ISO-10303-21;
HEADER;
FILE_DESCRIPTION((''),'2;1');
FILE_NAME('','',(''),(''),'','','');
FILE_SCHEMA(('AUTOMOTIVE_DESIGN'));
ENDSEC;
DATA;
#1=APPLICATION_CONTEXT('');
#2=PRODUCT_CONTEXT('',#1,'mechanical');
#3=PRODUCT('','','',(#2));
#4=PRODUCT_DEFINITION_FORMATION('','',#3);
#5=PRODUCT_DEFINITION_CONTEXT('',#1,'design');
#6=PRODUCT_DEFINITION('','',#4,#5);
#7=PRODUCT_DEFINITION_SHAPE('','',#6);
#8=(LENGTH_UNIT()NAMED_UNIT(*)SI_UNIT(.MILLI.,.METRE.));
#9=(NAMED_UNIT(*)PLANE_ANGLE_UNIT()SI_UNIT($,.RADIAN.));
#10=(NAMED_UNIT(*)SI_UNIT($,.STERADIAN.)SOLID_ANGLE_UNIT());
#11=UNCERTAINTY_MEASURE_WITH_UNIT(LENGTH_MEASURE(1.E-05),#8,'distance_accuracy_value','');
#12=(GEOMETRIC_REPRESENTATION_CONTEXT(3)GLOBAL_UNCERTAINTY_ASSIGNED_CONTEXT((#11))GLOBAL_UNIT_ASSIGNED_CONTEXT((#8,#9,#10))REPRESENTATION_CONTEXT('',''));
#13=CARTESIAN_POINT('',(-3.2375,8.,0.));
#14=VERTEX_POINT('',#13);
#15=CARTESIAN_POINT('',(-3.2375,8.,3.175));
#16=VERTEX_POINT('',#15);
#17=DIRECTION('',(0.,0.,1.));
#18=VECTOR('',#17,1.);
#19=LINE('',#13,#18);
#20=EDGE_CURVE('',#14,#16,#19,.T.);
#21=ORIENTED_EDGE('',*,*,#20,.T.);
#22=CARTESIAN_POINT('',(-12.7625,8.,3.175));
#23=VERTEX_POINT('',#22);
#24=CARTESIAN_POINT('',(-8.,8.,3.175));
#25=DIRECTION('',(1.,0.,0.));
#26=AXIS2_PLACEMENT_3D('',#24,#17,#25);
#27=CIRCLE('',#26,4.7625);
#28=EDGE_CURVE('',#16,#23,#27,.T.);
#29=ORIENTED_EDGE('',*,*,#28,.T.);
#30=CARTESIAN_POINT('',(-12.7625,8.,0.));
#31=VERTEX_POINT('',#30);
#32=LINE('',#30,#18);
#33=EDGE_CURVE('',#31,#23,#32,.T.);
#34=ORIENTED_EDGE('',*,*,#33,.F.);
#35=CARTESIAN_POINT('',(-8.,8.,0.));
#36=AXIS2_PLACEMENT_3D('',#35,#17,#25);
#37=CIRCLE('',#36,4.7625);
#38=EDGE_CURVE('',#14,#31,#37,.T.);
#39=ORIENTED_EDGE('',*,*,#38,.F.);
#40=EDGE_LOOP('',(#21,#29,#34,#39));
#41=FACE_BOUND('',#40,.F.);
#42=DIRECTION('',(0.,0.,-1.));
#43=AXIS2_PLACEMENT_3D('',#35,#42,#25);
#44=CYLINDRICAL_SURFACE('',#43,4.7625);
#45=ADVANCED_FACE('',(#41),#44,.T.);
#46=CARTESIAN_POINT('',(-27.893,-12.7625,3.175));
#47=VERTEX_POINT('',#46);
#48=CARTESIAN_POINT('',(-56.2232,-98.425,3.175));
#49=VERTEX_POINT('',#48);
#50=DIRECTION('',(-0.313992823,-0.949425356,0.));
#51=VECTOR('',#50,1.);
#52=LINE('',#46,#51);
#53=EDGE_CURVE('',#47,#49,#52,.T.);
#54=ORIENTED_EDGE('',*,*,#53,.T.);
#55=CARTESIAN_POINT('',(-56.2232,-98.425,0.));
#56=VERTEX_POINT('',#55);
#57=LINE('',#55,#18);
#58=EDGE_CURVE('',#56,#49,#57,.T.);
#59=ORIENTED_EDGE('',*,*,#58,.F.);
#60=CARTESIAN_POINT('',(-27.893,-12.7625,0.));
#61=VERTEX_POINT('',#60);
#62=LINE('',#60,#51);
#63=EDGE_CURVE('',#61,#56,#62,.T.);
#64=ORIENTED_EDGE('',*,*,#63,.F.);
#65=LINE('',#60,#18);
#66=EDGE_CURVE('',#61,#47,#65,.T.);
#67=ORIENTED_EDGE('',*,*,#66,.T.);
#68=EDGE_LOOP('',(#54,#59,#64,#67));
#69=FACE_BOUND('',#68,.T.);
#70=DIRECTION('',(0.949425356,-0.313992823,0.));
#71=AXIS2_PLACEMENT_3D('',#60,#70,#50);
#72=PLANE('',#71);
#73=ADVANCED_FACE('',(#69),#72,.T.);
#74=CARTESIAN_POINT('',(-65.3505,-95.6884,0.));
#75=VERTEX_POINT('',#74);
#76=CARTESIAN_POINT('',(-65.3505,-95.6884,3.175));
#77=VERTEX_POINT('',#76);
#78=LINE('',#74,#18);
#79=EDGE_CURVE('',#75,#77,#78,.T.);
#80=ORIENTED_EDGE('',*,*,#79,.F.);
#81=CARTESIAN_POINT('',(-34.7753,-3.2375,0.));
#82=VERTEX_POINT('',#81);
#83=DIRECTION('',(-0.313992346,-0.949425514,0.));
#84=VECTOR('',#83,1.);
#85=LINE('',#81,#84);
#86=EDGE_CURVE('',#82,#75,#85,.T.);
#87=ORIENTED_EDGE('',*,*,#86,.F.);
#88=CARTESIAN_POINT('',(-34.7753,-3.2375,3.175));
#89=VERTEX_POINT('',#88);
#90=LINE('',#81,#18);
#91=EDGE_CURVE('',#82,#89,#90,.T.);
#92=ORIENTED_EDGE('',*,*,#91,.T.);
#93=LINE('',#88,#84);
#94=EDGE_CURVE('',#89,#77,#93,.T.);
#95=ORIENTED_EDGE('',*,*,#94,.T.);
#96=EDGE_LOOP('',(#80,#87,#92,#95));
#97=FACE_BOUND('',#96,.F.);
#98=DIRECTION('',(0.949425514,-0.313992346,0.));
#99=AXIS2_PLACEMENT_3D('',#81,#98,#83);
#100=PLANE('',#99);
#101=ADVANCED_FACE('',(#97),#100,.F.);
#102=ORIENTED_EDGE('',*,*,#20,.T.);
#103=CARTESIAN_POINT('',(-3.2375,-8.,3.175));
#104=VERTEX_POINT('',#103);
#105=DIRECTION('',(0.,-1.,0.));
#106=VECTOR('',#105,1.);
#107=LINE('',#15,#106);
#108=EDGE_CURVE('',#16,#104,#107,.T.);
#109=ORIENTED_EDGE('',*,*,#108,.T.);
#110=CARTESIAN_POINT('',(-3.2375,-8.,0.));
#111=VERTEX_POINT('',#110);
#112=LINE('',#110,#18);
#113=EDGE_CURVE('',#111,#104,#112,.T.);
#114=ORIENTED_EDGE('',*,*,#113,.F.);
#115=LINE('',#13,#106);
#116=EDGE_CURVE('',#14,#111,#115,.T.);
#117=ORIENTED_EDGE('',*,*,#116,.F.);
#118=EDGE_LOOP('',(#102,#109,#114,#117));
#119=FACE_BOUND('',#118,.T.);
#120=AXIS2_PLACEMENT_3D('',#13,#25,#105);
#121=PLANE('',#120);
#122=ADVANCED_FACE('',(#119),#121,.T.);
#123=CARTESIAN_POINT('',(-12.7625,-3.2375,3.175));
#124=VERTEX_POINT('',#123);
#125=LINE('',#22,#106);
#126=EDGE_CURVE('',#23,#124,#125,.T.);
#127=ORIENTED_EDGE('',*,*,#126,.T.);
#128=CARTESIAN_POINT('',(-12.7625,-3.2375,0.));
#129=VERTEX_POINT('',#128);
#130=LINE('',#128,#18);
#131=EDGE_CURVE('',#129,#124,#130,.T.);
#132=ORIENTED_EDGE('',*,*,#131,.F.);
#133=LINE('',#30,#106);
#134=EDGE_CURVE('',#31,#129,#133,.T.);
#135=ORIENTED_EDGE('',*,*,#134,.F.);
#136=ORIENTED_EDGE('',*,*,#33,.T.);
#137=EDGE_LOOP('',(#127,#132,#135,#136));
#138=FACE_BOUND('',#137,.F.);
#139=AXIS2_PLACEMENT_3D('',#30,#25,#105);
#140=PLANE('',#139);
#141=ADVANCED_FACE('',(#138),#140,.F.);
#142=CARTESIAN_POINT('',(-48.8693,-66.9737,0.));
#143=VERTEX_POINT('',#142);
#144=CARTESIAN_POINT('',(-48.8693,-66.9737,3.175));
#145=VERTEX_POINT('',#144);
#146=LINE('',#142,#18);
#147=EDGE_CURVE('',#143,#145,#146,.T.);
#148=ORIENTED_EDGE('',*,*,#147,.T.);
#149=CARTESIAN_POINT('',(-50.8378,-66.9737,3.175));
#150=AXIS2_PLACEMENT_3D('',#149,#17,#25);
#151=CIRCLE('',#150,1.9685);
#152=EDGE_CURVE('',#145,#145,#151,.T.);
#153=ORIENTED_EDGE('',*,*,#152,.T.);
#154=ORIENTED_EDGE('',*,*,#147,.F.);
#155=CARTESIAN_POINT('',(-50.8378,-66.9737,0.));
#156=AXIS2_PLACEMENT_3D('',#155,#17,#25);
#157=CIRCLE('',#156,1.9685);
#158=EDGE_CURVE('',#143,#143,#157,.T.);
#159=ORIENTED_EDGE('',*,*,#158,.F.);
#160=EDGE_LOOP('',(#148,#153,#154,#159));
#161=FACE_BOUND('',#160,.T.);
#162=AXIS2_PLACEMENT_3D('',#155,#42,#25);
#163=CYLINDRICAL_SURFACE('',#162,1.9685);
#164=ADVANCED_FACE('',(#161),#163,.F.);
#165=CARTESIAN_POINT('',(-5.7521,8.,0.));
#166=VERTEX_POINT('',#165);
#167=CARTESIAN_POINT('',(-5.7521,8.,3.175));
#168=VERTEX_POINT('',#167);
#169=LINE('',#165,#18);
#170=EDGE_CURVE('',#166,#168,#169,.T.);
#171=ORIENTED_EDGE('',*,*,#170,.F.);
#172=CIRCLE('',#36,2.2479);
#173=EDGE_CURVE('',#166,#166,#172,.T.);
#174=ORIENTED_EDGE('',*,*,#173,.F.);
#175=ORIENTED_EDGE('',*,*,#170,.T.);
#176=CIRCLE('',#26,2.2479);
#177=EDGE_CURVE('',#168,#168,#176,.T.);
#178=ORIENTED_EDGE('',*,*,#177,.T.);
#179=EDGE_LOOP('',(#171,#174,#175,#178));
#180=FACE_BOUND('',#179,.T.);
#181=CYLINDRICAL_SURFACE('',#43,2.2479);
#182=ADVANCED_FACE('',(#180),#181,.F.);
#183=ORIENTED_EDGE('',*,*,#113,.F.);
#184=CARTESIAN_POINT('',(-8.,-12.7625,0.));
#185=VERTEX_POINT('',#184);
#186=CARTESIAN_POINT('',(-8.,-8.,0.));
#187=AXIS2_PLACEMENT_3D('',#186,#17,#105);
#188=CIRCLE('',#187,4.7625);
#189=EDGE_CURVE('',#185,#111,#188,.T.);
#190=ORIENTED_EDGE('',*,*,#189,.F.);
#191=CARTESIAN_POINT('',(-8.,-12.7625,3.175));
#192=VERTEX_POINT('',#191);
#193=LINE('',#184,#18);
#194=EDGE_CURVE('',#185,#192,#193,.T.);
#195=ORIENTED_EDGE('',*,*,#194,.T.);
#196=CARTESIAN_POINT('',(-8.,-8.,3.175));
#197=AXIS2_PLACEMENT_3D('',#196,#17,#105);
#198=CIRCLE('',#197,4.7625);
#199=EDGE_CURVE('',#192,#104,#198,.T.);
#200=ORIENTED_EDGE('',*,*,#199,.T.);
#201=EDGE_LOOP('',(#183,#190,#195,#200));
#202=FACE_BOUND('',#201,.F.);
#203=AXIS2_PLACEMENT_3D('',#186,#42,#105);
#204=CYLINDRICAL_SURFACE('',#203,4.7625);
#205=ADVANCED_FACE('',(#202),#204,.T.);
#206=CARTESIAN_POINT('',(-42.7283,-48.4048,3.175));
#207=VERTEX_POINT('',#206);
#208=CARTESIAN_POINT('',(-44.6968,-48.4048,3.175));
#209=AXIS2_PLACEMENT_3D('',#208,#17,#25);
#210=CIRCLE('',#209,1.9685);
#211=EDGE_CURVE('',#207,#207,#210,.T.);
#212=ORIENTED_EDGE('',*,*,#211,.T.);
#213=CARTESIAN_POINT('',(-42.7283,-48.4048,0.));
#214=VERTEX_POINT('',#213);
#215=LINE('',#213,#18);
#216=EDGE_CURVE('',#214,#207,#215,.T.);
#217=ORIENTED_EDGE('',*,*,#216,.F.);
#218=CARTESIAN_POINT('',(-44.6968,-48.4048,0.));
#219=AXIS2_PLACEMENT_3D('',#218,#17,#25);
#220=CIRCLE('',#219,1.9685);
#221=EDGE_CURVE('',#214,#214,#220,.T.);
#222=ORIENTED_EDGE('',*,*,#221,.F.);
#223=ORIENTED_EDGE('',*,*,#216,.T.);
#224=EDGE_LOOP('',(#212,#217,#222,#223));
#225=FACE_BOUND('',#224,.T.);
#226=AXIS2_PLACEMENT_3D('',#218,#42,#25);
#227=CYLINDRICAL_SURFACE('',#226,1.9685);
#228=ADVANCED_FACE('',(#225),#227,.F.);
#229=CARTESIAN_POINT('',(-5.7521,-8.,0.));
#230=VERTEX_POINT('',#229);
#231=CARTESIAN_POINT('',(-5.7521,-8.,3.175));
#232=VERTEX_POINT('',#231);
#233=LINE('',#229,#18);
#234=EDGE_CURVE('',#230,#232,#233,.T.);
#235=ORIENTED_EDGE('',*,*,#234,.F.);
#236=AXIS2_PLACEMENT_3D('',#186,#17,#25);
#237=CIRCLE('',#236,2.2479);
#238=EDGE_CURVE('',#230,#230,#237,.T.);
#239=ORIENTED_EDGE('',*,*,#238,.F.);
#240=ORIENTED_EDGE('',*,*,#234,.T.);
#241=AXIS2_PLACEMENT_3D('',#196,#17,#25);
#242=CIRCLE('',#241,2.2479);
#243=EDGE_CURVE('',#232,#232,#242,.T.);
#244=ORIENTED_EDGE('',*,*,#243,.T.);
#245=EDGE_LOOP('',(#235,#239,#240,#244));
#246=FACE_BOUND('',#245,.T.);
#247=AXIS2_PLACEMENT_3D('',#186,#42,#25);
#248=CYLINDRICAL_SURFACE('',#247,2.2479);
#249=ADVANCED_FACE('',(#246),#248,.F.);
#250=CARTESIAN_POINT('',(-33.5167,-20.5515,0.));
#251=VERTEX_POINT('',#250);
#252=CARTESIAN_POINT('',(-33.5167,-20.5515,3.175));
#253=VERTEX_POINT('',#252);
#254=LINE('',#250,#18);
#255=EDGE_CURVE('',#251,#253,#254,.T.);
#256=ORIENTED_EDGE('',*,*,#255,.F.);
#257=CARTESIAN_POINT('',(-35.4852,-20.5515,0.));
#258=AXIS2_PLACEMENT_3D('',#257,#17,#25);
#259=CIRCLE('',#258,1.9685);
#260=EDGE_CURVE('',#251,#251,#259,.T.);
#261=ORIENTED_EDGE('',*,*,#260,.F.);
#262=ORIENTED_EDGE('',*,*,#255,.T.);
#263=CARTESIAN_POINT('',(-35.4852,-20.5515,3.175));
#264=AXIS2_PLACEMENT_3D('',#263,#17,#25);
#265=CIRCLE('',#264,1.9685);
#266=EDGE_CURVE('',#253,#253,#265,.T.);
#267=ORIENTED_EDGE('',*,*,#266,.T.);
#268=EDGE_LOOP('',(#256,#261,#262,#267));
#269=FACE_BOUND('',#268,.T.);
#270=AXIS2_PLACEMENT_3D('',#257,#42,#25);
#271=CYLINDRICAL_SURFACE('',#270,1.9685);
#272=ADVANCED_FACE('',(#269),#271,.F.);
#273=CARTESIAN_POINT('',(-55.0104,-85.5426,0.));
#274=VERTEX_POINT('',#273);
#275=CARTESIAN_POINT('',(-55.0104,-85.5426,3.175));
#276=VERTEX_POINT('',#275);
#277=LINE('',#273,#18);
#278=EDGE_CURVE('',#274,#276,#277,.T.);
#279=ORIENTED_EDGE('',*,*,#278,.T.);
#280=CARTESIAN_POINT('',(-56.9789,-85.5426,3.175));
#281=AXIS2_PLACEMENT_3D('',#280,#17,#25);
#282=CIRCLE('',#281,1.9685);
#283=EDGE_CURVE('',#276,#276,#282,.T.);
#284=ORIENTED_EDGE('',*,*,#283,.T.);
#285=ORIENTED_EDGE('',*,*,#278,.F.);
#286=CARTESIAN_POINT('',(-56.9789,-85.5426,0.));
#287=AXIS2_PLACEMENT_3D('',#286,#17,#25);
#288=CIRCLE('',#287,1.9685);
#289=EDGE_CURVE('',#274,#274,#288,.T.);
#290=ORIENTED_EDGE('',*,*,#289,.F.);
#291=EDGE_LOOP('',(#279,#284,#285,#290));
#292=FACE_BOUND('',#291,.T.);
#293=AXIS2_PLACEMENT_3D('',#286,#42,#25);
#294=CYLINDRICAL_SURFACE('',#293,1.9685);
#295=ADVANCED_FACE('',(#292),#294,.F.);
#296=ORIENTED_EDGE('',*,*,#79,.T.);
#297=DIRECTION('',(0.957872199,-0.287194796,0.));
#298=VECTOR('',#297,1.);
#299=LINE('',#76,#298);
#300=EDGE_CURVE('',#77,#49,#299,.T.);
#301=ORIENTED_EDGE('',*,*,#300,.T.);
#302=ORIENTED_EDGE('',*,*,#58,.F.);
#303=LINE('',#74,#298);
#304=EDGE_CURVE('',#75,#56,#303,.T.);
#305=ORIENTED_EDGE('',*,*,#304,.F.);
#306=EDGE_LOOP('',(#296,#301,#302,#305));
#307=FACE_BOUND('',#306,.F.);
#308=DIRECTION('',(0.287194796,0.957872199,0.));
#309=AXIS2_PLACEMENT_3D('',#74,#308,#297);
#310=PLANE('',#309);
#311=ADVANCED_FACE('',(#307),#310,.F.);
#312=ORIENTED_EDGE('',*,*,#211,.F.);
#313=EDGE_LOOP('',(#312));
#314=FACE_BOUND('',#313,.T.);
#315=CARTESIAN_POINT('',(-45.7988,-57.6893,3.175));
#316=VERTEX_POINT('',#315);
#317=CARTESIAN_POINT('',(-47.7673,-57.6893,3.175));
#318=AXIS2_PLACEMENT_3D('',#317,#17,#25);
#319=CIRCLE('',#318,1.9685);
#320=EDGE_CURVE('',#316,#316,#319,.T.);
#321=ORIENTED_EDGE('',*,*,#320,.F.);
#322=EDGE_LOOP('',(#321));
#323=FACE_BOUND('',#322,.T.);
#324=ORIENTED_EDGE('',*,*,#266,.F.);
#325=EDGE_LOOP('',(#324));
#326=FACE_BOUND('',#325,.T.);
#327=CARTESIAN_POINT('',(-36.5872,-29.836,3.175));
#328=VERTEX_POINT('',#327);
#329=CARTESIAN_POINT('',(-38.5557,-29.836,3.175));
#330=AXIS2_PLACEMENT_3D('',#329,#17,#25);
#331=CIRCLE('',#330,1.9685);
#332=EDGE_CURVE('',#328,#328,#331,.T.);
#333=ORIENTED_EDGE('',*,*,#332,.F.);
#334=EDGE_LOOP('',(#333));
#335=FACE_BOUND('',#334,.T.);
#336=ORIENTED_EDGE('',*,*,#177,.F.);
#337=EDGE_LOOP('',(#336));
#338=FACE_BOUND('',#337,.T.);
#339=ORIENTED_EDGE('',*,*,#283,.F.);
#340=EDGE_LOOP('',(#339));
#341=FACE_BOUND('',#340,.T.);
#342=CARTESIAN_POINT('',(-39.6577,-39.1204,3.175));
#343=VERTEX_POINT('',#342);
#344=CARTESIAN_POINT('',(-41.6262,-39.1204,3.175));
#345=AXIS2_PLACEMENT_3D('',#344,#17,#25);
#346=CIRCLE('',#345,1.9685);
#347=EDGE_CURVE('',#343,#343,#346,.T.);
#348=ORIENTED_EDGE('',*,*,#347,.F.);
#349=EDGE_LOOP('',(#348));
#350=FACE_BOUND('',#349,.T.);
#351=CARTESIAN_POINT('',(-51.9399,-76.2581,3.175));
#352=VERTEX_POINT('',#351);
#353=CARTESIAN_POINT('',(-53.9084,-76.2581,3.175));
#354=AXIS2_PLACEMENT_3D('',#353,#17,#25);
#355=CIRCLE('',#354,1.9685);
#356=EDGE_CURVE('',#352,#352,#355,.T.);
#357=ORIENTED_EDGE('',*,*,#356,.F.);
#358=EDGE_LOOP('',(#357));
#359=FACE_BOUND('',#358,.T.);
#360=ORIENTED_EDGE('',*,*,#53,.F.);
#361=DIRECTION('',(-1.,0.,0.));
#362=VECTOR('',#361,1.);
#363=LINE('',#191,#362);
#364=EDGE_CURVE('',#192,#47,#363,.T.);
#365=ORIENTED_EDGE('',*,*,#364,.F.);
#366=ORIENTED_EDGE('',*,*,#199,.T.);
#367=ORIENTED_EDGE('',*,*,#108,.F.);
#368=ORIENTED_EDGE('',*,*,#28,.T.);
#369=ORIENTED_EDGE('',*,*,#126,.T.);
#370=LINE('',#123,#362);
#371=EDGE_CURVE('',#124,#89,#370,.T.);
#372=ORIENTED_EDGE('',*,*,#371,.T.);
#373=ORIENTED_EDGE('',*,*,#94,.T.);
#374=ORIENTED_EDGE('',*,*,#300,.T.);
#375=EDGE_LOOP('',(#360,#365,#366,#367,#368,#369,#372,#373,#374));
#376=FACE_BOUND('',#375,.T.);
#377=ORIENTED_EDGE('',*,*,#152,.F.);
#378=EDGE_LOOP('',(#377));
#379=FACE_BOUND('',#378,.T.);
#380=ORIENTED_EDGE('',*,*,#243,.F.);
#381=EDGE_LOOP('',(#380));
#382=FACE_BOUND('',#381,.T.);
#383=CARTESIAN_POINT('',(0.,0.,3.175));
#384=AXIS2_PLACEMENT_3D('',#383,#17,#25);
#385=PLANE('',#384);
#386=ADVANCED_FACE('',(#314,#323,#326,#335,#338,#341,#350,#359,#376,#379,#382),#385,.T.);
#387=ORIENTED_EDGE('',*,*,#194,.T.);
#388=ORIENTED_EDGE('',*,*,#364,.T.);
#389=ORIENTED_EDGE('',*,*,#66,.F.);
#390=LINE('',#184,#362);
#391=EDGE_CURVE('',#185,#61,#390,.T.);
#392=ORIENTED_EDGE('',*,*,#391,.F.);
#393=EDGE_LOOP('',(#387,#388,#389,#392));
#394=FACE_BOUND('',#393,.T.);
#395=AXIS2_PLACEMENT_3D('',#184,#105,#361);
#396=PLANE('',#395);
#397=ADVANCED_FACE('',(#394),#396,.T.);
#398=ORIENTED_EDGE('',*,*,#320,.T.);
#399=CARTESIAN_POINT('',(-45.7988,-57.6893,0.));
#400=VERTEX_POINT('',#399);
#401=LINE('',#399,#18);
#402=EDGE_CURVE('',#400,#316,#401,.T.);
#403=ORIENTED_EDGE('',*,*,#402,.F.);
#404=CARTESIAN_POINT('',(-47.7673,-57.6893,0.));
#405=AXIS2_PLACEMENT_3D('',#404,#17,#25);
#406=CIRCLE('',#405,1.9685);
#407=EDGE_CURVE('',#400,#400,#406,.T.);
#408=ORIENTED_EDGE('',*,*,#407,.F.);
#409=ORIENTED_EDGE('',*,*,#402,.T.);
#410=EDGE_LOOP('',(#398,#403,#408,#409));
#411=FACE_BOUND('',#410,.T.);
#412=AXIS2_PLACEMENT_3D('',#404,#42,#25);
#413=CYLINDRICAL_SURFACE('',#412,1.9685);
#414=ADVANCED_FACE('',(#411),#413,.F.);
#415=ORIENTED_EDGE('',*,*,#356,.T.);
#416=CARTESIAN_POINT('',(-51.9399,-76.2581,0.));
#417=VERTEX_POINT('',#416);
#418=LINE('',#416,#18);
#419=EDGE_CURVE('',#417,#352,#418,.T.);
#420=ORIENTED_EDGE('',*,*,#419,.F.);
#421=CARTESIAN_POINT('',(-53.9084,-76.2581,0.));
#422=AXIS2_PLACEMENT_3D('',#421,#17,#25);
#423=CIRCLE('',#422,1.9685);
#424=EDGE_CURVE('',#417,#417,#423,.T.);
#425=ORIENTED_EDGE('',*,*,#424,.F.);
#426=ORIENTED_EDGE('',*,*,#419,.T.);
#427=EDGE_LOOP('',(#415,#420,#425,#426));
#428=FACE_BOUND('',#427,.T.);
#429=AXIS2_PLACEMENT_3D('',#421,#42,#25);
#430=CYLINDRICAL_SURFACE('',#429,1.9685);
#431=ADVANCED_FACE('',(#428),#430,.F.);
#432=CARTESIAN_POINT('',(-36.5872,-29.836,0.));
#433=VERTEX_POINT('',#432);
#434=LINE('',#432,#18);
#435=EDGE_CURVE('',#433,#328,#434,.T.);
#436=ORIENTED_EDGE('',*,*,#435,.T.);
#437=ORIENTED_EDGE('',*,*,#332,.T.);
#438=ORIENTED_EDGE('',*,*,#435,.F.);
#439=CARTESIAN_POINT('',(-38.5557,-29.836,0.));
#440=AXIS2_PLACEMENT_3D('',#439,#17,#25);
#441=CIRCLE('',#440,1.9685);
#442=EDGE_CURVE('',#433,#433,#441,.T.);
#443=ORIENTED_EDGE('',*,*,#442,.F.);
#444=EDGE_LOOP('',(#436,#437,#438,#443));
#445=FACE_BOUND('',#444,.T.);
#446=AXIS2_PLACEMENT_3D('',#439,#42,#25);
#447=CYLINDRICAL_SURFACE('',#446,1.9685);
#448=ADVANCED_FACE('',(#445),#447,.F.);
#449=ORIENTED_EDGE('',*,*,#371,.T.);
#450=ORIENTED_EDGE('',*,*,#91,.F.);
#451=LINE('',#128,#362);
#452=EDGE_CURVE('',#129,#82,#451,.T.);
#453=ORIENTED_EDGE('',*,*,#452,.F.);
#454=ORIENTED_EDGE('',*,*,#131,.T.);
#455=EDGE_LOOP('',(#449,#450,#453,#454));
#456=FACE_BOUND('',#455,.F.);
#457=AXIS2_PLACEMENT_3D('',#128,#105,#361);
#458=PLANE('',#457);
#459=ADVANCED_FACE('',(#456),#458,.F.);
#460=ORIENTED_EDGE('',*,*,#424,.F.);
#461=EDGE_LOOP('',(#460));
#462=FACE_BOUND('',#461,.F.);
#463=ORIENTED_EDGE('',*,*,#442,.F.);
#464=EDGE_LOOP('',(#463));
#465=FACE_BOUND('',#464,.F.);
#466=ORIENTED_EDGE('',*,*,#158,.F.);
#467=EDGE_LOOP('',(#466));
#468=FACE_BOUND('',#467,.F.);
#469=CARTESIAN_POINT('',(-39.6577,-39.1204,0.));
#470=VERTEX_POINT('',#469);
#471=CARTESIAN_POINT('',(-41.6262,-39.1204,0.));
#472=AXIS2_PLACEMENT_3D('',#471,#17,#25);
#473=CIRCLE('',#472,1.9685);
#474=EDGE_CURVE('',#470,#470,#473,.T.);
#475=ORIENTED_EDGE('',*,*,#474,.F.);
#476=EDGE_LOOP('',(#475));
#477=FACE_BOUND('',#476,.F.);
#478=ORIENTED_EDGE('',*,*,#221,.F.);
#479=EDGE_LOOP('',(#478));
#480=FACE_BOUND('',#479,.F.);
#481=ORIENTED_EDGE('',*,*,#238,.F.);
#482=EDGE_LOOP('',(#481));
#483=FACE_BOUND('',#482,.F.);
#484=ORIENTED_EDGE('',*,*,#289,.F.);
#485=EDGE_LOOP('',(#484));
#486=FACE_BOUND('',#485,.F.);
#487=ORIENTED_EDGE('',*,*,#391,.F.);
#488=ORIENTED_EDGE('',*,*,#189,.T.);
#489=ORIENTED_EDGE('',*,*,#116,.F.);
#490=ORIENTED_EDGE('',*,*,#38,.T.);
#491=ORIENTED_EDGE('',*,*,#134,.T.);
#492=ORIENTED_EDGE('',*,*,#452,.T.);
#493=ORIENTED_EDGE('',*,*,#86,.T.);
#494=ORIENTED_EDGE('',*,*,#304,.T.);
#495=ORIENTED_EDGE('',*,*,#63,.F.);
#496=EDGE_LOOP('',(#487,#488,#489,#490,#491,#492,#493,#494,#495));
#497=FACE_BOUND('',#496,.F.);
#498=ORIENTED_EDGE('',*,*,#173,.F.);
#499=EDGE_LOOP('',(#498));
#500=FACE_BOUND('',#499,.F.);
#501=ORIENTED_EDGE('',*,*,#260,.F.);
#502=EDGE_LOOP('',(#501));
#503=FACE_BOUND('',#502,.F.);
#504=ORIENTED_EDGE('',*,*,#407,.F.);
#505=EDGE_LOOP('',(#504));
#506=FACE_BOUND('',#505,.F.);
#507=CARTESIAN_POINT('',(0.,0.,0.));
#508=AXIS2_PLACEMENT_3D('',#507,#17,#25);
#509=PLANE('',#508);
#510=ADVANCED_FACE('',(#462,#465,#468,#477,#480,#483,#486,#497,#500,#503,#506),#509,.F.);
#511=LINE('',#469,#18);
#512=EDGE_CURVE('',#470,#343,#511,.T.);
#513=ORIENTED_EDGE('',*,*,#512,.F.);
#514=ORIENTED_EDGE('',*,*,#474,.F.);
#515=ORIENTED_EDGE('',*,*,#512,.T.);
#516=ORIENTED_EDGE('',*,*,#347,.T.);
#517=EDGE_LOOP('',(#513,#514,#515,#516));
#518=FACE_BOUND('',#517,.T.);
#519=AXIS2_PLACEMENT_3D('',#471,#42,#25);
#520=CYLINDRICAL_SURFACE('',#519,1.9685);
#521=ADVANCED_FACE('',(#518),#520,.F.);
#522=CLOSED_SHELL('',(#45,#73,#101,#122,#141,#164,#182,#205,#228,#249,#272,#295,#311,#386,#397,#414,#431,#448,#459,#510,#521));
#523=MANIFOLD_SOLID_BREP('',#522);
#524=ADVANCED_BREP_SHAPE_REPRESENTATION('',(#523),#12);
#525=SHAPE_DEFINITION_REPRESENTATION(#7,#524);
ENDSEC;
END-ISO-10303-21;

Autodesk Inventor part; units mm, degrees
ref_plane "YZ Plane" through (0, 0, 0) normal (1, 0, 0) x (0, 1, 0)
ref_plane "XZ Plane" through (0, 0, 0) normal (0, 1, 0) x (-1, 0, 0)
ref_plane "XY Plane" through (0, 0, 0) normal (0, 0, 1) x (1, 0, 0)
ref_plane "Work Plane3" through (0, 0, 0) normal (0, 0, 1) x (1, 0, 0)
sketch "Sketch2" plane through (0, 0, 0) normal (0, 0, 1) x (1, 0, 0)
  arc A0 (-7.5753, -9.9544) -> (-9.0817, -9.6822) centre (-8, -8) ccw construction
  arc A1 (-9.9544, 7.5753) -> (-9.6822, 9.0817) centre (-8, 8) ccw construction
  line L0 (-8, 8) -> (-8, -8) construction
  line L1 (-3.2375, 8) -> (-3.2375, -8)
  line L2 (-12.7625, 8) -> (-12.7625, -3.2375)
  arc A2 (-3.2375, 8) -> (-12.7625, 8) centre (-8, 8) ccw
  arc A3 (-3.2375, 8) -> (-12.7625, 8) centre (-8, 8) ccw construction
  arc A4 (-8, -12.7625) -> (-3.2375, -8) centre (-8, -8) ccw
  line L3 (-76.8525, -130.4672) -> (11.0654, 135.3719) construction
  line L4 (-12.7625, -3.2375) -> (-34.7753, -3.2375)
  line L5 (-67.8092, -133.458) -> (20.1087, 132.3811) construction
  line L6 (-8, -12.7625) -> (-27.893, -12.7625)
  arc A5 (1.9836, 0.2558) -> (1.5702, -1.2387) centre (0, 0) ccw construction
  circle A6 centre (0, 0) radius 115.8748 construction
  line L7 (-34.7753, -3.2375) -> (-65.3505, -95.6884)
  line L8 (-65.3505, -95.6884) -> (-56.2232, -98.425)
  line L9 (-27.893, -12.7625) -> (-56.2232, -98.425)
  line L10 (-27.893, -12.7625) -> (-36.9363, -9.7717) construction
  line L11 (-60.7868, -97.0567) -> (-32.4146, -11.2671) construction
  circle A7 centre (-35.4852, -20.5515) radius 1.9685
  circle A8 centre (-38.5557, -29.836) radius 1.9685
  circle A9 centre (-41.6262, -39.1204) radius 1.9685
  circle A10 centre (-44.6968, -48.4048) radius 1.9685
  circle A11 centre (-47.7673, -57.6893) radius 1.9685
  circle A12 centre (-50.8378, -66.9737) radius 1.9685
  circle A13 centre (-53.9084, -76.2581) radius 1.9685
  circle A14 centre (-56.9789, -85.5426) radius 1.9685
  circle A15 centre (-8, -8) radius 2.2479
  circle A16 centre (-8, 8) radius 2.2479
  point P0 (0, 0)
  dimension "d6" = 231.7496
  dimension "d0" = 4.7625
  dimension "d1" = 4.7625
  dimension "d2" = 4.7625
  dimension "d3" = 4.7625
  dimension "d4" = 9.525
  dimension "d5" = 9.525
  dimension "d7" = 3.937
  dimension "d8" = 9.779
  dimension "d11" = 9.779
  dimension "d16" = 4.4958
  dimension "d17" = 4.4958
extrude "Extrusion1" add sketch "Sketch2" along normal blind 3.175
properties part number "CollectorArmZ"
